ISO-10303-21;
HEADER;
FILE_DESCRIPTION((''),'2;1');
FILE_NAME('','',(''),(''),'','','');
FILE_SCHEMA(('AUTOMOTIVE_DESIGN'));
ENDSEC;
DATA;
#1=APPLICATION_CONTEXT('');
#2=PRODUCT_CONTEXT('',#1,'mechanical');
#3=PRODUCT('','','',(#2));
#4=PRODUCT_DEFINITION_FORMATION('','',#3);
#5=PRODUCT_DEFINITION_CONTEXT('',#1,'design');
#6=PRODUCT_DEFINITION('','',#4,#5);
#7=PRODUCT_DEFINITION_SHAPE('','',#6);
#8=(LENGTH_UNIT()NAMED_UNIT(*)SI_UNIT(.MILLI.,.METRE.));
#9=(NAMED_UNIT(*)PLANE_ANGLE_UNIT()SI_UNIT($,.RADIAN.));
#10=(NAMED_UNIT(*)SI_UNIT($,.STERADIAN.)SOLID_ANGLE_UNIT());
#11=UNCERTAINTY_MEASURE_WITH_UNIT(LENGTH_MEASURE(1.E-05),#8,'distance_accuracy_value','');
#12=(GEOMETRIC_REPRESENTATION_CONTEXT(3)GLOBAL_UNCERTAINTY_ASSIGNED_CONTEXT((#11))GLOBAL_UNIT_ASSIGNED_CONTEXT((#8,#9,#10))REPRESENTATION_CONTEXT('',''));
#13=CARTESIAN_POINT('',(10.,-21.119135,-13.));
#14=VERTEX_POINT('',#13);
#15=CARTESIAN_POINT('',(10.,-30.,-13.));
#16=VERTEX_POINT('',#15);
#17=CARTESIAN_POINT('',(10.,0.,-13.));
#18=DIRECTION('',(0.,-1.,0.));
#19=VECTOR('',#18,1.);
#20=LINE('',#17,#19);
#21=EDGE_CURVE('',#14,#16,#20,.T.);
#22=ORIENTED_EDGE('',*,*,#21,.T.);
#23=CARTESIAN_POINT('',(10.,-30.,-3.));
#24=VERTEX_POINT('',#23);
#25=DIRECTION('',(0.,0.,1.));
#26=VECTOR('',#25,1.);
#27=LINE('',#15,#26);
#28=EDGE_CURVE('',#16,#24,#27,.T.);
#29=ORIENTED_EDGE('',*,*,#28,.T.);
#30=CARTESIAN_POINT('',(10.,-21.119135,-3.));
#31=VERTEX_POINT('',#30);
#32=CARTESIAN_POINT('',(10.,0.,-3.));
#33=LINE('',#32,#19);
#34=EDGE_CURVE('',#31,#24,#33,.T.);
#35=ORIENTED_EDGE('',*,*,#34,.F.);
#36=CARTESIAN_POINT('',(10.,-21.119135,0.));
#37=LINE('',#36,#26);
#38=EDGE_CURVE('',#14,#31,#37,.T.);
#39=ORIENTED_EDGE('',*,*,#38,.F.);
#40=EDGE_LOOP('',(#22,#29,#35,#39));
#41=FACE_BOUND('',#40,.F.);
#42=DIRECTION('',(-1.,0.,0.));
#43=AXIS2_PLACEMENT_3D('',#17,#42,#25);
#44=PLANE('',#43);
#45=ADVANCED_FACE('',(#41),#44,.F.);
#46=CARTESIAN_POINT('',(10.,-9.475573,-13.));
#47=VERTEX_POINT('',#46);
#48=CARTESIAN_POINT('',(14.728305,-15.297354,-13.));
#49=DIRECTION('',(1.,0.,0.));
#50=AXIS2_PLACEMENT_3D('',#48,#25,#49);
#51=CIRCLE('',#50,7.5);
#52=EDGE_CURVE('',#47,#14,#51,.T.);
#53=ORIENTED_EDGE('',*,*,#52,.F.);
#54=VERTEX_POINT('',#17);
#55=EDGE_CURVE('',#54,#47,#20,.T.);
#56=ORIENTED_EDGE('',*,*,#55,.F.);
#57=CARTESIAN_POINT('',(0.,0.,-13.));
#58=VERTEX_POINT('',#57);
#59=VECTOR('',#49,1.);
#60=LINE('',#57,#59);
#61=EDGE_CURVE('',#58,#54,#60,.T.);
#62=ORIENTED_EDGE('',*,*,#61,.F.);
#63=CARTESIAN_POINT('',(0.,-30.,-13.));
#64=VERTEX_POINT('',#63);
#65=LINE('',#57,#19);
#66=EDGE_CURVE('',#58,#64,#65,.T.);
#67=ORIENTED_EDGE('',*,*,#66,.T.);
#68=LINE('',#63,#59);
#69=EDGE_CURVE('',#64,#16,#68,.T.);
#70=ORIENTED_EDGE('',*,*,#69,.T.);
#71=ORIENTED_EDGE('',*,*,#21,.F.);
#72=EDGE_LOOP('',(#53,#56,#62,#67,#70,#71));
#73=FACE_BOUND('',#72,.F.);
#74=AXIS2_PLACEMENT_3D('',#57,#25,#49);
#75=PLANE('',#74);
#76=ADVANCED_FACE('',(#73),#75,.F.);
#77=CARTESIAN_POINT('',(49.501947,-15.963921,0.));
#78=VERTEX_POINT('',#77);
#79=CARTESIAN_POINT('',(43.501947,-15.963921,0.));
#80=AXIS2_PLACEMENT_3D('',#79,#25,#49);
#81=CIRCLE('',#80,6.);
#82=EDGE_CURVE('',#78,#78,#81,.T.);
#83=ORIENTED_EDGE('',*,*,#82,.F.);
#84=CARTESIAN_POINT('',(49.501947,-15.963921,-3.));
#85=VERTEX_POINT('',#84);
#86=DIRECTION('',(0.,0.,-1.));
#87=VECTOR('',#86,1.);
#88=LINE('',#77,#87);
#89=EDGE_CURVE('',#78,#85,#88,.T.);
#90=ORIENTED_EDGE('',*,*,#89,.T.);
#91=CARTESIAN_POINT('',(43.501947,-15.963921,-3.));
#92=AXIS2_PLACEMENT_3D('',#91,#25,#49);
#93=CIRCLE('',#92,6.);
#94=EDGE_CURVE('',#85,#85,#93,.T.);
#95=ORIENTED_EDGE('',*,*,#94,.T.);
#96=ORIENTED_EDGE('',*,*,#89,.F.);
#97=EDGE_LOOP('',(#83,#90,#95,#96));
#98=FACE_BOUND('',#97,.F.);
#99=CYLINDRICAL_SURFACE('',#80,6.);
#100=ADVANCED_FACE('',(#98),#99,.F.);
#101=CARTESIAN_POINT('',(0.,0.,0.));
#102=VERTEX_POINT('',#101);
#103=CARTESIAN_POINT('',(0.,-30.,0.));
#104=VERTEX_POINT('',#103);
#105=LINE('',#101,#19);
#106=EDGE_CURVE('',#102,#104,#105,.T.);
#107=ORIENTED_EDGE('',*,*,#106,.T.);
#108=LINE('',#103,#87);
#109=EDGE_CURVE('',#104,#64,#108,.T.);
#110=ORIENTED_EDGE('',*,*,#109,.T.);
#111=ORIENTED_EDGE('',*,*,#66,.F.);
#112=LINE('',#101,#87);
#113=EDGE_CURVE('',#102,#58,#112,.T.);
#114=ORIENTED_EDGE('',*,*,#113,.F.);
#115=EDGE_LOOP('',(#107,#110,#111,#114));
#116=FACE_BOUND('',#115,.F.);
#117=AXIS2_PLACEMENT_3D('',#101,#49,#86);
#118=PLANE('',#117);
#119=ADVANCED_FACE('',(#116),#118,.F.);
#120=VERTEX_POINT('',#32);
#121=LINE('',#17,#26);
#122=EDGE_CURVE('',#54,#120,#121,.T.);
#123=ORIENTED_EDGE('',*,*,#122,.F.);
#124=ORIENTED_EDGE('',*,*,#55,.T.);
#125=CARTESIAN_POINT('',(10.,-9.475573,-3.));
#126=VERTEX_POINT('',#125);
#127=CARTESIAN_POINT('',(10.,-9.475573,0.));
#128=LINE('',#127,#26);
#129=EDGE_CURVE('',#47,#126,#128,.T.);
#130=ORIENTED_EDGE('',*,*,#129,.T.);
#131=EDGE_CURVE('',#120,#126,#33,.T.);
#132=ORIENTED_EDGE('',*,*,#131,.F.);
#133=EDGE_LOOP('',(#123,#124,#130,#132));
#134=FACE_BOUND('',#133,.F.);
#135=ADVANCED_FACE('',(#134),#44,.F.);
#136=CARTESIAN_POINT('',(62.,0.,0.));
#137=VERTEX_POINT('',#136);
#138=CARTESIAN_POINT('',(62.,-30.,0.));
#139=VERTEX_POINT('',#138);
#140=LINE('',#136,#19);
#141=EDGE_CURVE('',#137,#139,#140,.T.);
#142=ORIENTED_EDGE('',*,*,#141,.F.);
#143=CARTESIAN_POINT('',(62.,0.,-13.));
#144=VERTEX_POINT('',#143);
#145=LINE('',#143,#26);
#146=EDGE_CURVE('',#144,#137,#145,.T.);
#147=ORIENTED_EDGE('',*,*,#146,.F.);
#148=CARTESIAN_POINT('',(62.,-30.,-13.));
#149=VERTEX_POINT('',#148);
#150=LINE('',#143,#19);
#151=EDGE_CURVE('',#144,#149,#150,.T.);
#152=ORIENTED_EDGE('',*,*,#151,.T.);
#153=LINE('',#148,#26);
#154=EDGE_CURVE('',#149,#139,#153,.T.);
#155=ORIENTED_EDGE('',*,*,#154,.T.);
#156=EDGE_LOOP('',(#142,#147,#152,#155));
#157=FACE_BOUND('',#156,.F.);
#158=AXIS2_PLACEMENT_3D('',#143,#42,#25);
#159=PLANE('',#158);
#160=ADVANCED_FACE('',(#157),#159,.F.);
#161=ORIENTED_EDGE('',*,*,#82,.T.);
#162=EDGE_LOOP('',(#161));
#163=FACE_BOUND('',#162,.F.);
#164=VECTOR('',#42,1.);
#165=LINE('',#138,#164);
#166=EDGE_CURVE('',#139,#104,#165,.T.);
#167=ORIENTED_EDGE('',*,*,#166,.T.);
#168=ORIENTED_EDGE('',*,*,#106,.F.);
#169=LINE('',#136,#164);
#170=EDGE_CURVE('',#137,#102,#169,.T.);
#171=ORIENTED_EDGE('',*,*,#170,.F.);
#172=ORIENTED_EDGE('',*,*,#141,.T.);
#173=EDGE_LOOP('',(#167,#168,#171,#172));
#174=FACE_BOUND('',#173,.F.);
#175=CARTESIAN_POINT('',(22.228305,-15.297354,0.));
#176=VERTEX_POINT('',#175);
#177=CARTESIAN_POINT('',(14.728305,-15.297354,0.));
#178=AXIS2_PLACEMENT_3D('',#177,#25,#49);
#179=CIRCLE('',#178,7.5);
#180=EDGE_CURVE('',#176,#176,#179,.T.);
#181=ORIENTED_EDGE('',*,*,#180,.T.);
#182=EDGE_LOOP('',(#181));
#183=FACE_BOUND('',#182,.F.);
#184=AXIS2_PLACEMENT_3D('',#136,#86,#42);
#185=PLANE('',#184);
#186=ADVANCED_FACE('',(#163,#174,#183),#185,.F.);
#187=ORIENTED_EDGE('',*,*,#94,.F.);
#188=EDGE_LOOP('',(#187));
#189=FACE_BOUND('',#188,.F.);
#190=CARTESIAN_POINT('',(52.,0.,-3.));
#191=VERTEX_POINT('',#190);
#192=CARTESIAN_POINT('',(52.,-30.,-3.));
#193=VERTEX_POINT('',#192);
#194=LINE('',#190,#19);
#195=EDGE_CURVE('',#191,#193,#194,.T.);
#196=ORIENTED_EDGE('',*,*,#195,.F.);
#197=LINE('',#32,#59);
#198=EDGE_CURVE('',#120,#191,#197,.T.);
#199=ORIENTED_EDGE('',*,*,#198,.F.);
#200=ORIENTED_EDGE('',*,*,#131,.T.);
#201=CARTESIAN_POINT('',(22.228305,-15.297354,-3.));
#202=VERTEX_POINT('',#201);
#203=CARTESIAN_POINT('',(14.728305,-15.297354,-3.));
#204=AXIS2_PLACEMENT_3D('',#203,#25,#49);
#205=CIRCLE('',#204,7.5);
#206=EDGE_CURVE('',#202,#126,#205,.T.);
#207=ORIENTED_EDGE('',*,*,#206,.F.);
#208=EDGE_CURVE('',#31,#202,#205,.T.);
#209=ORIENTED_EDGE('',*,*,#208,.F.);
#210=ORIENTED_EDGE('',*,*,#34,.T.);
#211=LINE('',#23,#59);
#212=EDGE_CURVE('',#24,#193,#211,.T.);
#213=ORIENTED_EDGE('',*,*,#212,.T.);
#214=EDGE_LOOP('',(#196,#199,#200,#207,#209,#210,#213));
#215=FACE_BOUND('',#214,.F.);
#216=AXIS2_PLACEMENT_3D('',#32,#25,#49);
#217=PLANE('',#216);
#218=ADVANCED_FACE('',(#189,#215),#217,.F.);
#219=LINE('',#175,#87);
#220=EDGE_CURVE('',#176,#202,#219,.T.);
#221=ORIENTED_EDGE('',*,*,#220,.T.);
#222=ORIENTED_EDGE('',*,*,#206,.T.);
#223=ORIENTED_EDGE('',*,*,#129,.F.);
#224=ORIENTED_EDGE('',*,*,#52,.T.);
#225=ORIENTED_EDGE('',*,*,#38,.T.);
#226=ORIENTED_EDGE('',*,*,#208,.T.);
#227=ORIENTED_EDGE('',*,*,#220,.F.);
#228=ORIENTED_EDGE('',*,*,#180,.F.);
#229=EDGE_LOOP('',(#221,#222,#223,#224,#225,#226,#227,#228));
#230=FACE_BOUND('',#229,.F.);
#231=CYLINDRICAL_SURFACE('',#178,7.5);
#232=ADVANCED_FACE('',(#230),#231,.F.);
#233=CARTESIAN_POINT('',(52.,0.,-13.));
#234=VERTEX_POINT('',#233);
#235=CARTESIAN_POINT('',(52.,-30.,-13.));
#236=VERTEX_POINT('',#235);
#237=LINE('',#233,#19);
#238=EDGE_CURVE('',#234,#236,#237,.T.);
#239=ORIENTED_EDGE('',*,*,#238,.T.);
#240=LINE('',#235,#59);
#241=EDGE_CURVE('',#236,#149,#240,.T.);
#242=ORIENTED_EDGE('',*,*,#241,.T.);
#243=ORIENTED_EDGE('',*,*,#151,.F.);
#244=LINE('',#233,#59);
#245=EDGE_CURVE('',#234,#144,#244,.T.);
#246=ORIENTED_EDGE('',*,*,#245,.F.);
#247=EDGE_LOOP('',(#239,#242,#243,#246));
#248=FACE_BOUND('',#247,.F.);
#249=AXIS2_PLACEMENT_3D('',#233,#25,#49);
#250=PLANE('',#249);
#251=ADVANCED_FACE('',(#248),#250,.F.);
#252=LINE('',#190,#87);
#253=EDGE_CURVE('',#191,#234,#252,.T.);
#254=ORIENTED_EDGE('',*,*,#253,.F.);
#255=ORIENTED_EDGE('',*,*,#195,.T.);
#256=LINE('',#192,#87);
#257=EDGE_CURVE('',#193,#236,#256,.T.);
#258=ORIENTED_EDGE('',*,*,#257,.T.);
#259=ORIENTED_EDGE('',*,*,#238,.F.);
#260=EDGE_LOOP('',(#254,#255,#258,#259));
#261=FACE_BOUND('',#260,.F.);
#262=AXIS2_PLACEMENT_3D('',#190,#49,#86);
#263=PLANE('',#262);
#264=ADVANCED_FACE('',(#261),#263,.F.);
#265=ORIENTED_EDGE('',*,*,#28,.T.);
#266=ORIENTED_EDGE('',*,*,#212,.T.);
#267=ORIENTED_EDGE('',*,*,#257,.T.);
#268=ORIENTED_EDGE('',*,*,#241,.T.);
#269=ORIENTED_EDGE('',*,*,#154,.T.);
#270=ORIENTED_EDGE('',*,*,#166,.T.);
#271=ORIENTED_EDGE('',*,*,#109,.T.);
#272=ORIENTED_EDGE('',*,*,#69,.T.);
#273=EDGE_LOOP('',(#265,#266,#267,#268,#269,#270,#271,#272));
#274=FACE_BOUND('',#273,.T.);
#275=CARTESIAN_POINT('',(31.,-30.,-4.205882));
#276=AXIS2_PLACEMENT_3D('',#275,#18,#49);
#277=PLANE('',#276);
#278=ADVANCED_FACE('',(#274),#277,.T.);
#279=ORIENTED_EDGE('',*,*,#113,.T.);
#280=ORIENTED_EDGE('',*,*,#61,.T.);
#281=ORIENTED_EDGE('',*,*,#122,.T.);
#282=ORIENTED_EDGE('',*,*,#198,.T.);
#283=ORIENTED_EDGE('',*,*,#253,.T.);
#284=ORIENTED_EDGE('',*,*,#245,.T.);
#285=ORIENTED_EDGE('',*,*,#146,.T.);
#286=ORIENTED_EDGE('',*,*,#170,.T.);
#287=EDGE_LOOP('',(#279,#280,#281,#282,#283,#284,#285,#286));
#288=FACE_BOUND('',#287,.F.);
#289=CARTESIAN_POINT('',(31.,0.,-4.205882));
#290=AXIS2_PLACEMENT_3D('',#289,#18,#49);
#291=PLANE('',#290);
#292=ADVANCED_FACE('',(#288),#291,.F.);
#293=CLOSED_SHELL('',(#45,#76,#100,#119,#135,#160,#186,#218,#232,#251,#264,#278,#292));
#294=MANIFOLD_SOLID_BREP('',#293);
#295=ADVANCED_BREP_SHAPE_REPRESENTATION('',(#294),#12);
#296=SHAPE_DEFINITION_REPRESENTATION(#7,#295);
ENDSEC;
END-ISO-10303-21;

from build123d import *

# Parameters (mm, degrees)
F2_DEPTH = 30
F3_DEPTH = 30
F4_R     = 7.5
F4_R_2   = 6
F5_DEPTH = 25


with BuildPart() as f2:
    # F0 (on Front) → F2 (new body)
    with BuildSketch(Plane.XZ):
        Polygon((0, 0), (0, -13), (10, -13), (10, -3), (52, -3), (52, -13), (62, -13), (62, 0), align=None)
    extrude(amount=F2_DEPTH)

    # F1 (on face) → F3 (join)
    with BuildSketch(Plane.XZ):
        Polygon((62, 0), (0, 0), (0, -13), (10, -13), (10, -3), (52, -3), (52, -13), (62, -13), align=None)
    extrude(amount=F3_DEPTH)

    # F4 (on face) → F5 (cut)
    with BuildSketch(Plane.XY):
        with Locations((14.728305, -15.297354)):
            Circle(F4_R)
        with Locations((43.501947, -15.963921)):
            Circle(F4_R_2)
    extrude(amount=-F5_DEPTH, mode=Mode.SUBTRACT)


solid = f2.part
